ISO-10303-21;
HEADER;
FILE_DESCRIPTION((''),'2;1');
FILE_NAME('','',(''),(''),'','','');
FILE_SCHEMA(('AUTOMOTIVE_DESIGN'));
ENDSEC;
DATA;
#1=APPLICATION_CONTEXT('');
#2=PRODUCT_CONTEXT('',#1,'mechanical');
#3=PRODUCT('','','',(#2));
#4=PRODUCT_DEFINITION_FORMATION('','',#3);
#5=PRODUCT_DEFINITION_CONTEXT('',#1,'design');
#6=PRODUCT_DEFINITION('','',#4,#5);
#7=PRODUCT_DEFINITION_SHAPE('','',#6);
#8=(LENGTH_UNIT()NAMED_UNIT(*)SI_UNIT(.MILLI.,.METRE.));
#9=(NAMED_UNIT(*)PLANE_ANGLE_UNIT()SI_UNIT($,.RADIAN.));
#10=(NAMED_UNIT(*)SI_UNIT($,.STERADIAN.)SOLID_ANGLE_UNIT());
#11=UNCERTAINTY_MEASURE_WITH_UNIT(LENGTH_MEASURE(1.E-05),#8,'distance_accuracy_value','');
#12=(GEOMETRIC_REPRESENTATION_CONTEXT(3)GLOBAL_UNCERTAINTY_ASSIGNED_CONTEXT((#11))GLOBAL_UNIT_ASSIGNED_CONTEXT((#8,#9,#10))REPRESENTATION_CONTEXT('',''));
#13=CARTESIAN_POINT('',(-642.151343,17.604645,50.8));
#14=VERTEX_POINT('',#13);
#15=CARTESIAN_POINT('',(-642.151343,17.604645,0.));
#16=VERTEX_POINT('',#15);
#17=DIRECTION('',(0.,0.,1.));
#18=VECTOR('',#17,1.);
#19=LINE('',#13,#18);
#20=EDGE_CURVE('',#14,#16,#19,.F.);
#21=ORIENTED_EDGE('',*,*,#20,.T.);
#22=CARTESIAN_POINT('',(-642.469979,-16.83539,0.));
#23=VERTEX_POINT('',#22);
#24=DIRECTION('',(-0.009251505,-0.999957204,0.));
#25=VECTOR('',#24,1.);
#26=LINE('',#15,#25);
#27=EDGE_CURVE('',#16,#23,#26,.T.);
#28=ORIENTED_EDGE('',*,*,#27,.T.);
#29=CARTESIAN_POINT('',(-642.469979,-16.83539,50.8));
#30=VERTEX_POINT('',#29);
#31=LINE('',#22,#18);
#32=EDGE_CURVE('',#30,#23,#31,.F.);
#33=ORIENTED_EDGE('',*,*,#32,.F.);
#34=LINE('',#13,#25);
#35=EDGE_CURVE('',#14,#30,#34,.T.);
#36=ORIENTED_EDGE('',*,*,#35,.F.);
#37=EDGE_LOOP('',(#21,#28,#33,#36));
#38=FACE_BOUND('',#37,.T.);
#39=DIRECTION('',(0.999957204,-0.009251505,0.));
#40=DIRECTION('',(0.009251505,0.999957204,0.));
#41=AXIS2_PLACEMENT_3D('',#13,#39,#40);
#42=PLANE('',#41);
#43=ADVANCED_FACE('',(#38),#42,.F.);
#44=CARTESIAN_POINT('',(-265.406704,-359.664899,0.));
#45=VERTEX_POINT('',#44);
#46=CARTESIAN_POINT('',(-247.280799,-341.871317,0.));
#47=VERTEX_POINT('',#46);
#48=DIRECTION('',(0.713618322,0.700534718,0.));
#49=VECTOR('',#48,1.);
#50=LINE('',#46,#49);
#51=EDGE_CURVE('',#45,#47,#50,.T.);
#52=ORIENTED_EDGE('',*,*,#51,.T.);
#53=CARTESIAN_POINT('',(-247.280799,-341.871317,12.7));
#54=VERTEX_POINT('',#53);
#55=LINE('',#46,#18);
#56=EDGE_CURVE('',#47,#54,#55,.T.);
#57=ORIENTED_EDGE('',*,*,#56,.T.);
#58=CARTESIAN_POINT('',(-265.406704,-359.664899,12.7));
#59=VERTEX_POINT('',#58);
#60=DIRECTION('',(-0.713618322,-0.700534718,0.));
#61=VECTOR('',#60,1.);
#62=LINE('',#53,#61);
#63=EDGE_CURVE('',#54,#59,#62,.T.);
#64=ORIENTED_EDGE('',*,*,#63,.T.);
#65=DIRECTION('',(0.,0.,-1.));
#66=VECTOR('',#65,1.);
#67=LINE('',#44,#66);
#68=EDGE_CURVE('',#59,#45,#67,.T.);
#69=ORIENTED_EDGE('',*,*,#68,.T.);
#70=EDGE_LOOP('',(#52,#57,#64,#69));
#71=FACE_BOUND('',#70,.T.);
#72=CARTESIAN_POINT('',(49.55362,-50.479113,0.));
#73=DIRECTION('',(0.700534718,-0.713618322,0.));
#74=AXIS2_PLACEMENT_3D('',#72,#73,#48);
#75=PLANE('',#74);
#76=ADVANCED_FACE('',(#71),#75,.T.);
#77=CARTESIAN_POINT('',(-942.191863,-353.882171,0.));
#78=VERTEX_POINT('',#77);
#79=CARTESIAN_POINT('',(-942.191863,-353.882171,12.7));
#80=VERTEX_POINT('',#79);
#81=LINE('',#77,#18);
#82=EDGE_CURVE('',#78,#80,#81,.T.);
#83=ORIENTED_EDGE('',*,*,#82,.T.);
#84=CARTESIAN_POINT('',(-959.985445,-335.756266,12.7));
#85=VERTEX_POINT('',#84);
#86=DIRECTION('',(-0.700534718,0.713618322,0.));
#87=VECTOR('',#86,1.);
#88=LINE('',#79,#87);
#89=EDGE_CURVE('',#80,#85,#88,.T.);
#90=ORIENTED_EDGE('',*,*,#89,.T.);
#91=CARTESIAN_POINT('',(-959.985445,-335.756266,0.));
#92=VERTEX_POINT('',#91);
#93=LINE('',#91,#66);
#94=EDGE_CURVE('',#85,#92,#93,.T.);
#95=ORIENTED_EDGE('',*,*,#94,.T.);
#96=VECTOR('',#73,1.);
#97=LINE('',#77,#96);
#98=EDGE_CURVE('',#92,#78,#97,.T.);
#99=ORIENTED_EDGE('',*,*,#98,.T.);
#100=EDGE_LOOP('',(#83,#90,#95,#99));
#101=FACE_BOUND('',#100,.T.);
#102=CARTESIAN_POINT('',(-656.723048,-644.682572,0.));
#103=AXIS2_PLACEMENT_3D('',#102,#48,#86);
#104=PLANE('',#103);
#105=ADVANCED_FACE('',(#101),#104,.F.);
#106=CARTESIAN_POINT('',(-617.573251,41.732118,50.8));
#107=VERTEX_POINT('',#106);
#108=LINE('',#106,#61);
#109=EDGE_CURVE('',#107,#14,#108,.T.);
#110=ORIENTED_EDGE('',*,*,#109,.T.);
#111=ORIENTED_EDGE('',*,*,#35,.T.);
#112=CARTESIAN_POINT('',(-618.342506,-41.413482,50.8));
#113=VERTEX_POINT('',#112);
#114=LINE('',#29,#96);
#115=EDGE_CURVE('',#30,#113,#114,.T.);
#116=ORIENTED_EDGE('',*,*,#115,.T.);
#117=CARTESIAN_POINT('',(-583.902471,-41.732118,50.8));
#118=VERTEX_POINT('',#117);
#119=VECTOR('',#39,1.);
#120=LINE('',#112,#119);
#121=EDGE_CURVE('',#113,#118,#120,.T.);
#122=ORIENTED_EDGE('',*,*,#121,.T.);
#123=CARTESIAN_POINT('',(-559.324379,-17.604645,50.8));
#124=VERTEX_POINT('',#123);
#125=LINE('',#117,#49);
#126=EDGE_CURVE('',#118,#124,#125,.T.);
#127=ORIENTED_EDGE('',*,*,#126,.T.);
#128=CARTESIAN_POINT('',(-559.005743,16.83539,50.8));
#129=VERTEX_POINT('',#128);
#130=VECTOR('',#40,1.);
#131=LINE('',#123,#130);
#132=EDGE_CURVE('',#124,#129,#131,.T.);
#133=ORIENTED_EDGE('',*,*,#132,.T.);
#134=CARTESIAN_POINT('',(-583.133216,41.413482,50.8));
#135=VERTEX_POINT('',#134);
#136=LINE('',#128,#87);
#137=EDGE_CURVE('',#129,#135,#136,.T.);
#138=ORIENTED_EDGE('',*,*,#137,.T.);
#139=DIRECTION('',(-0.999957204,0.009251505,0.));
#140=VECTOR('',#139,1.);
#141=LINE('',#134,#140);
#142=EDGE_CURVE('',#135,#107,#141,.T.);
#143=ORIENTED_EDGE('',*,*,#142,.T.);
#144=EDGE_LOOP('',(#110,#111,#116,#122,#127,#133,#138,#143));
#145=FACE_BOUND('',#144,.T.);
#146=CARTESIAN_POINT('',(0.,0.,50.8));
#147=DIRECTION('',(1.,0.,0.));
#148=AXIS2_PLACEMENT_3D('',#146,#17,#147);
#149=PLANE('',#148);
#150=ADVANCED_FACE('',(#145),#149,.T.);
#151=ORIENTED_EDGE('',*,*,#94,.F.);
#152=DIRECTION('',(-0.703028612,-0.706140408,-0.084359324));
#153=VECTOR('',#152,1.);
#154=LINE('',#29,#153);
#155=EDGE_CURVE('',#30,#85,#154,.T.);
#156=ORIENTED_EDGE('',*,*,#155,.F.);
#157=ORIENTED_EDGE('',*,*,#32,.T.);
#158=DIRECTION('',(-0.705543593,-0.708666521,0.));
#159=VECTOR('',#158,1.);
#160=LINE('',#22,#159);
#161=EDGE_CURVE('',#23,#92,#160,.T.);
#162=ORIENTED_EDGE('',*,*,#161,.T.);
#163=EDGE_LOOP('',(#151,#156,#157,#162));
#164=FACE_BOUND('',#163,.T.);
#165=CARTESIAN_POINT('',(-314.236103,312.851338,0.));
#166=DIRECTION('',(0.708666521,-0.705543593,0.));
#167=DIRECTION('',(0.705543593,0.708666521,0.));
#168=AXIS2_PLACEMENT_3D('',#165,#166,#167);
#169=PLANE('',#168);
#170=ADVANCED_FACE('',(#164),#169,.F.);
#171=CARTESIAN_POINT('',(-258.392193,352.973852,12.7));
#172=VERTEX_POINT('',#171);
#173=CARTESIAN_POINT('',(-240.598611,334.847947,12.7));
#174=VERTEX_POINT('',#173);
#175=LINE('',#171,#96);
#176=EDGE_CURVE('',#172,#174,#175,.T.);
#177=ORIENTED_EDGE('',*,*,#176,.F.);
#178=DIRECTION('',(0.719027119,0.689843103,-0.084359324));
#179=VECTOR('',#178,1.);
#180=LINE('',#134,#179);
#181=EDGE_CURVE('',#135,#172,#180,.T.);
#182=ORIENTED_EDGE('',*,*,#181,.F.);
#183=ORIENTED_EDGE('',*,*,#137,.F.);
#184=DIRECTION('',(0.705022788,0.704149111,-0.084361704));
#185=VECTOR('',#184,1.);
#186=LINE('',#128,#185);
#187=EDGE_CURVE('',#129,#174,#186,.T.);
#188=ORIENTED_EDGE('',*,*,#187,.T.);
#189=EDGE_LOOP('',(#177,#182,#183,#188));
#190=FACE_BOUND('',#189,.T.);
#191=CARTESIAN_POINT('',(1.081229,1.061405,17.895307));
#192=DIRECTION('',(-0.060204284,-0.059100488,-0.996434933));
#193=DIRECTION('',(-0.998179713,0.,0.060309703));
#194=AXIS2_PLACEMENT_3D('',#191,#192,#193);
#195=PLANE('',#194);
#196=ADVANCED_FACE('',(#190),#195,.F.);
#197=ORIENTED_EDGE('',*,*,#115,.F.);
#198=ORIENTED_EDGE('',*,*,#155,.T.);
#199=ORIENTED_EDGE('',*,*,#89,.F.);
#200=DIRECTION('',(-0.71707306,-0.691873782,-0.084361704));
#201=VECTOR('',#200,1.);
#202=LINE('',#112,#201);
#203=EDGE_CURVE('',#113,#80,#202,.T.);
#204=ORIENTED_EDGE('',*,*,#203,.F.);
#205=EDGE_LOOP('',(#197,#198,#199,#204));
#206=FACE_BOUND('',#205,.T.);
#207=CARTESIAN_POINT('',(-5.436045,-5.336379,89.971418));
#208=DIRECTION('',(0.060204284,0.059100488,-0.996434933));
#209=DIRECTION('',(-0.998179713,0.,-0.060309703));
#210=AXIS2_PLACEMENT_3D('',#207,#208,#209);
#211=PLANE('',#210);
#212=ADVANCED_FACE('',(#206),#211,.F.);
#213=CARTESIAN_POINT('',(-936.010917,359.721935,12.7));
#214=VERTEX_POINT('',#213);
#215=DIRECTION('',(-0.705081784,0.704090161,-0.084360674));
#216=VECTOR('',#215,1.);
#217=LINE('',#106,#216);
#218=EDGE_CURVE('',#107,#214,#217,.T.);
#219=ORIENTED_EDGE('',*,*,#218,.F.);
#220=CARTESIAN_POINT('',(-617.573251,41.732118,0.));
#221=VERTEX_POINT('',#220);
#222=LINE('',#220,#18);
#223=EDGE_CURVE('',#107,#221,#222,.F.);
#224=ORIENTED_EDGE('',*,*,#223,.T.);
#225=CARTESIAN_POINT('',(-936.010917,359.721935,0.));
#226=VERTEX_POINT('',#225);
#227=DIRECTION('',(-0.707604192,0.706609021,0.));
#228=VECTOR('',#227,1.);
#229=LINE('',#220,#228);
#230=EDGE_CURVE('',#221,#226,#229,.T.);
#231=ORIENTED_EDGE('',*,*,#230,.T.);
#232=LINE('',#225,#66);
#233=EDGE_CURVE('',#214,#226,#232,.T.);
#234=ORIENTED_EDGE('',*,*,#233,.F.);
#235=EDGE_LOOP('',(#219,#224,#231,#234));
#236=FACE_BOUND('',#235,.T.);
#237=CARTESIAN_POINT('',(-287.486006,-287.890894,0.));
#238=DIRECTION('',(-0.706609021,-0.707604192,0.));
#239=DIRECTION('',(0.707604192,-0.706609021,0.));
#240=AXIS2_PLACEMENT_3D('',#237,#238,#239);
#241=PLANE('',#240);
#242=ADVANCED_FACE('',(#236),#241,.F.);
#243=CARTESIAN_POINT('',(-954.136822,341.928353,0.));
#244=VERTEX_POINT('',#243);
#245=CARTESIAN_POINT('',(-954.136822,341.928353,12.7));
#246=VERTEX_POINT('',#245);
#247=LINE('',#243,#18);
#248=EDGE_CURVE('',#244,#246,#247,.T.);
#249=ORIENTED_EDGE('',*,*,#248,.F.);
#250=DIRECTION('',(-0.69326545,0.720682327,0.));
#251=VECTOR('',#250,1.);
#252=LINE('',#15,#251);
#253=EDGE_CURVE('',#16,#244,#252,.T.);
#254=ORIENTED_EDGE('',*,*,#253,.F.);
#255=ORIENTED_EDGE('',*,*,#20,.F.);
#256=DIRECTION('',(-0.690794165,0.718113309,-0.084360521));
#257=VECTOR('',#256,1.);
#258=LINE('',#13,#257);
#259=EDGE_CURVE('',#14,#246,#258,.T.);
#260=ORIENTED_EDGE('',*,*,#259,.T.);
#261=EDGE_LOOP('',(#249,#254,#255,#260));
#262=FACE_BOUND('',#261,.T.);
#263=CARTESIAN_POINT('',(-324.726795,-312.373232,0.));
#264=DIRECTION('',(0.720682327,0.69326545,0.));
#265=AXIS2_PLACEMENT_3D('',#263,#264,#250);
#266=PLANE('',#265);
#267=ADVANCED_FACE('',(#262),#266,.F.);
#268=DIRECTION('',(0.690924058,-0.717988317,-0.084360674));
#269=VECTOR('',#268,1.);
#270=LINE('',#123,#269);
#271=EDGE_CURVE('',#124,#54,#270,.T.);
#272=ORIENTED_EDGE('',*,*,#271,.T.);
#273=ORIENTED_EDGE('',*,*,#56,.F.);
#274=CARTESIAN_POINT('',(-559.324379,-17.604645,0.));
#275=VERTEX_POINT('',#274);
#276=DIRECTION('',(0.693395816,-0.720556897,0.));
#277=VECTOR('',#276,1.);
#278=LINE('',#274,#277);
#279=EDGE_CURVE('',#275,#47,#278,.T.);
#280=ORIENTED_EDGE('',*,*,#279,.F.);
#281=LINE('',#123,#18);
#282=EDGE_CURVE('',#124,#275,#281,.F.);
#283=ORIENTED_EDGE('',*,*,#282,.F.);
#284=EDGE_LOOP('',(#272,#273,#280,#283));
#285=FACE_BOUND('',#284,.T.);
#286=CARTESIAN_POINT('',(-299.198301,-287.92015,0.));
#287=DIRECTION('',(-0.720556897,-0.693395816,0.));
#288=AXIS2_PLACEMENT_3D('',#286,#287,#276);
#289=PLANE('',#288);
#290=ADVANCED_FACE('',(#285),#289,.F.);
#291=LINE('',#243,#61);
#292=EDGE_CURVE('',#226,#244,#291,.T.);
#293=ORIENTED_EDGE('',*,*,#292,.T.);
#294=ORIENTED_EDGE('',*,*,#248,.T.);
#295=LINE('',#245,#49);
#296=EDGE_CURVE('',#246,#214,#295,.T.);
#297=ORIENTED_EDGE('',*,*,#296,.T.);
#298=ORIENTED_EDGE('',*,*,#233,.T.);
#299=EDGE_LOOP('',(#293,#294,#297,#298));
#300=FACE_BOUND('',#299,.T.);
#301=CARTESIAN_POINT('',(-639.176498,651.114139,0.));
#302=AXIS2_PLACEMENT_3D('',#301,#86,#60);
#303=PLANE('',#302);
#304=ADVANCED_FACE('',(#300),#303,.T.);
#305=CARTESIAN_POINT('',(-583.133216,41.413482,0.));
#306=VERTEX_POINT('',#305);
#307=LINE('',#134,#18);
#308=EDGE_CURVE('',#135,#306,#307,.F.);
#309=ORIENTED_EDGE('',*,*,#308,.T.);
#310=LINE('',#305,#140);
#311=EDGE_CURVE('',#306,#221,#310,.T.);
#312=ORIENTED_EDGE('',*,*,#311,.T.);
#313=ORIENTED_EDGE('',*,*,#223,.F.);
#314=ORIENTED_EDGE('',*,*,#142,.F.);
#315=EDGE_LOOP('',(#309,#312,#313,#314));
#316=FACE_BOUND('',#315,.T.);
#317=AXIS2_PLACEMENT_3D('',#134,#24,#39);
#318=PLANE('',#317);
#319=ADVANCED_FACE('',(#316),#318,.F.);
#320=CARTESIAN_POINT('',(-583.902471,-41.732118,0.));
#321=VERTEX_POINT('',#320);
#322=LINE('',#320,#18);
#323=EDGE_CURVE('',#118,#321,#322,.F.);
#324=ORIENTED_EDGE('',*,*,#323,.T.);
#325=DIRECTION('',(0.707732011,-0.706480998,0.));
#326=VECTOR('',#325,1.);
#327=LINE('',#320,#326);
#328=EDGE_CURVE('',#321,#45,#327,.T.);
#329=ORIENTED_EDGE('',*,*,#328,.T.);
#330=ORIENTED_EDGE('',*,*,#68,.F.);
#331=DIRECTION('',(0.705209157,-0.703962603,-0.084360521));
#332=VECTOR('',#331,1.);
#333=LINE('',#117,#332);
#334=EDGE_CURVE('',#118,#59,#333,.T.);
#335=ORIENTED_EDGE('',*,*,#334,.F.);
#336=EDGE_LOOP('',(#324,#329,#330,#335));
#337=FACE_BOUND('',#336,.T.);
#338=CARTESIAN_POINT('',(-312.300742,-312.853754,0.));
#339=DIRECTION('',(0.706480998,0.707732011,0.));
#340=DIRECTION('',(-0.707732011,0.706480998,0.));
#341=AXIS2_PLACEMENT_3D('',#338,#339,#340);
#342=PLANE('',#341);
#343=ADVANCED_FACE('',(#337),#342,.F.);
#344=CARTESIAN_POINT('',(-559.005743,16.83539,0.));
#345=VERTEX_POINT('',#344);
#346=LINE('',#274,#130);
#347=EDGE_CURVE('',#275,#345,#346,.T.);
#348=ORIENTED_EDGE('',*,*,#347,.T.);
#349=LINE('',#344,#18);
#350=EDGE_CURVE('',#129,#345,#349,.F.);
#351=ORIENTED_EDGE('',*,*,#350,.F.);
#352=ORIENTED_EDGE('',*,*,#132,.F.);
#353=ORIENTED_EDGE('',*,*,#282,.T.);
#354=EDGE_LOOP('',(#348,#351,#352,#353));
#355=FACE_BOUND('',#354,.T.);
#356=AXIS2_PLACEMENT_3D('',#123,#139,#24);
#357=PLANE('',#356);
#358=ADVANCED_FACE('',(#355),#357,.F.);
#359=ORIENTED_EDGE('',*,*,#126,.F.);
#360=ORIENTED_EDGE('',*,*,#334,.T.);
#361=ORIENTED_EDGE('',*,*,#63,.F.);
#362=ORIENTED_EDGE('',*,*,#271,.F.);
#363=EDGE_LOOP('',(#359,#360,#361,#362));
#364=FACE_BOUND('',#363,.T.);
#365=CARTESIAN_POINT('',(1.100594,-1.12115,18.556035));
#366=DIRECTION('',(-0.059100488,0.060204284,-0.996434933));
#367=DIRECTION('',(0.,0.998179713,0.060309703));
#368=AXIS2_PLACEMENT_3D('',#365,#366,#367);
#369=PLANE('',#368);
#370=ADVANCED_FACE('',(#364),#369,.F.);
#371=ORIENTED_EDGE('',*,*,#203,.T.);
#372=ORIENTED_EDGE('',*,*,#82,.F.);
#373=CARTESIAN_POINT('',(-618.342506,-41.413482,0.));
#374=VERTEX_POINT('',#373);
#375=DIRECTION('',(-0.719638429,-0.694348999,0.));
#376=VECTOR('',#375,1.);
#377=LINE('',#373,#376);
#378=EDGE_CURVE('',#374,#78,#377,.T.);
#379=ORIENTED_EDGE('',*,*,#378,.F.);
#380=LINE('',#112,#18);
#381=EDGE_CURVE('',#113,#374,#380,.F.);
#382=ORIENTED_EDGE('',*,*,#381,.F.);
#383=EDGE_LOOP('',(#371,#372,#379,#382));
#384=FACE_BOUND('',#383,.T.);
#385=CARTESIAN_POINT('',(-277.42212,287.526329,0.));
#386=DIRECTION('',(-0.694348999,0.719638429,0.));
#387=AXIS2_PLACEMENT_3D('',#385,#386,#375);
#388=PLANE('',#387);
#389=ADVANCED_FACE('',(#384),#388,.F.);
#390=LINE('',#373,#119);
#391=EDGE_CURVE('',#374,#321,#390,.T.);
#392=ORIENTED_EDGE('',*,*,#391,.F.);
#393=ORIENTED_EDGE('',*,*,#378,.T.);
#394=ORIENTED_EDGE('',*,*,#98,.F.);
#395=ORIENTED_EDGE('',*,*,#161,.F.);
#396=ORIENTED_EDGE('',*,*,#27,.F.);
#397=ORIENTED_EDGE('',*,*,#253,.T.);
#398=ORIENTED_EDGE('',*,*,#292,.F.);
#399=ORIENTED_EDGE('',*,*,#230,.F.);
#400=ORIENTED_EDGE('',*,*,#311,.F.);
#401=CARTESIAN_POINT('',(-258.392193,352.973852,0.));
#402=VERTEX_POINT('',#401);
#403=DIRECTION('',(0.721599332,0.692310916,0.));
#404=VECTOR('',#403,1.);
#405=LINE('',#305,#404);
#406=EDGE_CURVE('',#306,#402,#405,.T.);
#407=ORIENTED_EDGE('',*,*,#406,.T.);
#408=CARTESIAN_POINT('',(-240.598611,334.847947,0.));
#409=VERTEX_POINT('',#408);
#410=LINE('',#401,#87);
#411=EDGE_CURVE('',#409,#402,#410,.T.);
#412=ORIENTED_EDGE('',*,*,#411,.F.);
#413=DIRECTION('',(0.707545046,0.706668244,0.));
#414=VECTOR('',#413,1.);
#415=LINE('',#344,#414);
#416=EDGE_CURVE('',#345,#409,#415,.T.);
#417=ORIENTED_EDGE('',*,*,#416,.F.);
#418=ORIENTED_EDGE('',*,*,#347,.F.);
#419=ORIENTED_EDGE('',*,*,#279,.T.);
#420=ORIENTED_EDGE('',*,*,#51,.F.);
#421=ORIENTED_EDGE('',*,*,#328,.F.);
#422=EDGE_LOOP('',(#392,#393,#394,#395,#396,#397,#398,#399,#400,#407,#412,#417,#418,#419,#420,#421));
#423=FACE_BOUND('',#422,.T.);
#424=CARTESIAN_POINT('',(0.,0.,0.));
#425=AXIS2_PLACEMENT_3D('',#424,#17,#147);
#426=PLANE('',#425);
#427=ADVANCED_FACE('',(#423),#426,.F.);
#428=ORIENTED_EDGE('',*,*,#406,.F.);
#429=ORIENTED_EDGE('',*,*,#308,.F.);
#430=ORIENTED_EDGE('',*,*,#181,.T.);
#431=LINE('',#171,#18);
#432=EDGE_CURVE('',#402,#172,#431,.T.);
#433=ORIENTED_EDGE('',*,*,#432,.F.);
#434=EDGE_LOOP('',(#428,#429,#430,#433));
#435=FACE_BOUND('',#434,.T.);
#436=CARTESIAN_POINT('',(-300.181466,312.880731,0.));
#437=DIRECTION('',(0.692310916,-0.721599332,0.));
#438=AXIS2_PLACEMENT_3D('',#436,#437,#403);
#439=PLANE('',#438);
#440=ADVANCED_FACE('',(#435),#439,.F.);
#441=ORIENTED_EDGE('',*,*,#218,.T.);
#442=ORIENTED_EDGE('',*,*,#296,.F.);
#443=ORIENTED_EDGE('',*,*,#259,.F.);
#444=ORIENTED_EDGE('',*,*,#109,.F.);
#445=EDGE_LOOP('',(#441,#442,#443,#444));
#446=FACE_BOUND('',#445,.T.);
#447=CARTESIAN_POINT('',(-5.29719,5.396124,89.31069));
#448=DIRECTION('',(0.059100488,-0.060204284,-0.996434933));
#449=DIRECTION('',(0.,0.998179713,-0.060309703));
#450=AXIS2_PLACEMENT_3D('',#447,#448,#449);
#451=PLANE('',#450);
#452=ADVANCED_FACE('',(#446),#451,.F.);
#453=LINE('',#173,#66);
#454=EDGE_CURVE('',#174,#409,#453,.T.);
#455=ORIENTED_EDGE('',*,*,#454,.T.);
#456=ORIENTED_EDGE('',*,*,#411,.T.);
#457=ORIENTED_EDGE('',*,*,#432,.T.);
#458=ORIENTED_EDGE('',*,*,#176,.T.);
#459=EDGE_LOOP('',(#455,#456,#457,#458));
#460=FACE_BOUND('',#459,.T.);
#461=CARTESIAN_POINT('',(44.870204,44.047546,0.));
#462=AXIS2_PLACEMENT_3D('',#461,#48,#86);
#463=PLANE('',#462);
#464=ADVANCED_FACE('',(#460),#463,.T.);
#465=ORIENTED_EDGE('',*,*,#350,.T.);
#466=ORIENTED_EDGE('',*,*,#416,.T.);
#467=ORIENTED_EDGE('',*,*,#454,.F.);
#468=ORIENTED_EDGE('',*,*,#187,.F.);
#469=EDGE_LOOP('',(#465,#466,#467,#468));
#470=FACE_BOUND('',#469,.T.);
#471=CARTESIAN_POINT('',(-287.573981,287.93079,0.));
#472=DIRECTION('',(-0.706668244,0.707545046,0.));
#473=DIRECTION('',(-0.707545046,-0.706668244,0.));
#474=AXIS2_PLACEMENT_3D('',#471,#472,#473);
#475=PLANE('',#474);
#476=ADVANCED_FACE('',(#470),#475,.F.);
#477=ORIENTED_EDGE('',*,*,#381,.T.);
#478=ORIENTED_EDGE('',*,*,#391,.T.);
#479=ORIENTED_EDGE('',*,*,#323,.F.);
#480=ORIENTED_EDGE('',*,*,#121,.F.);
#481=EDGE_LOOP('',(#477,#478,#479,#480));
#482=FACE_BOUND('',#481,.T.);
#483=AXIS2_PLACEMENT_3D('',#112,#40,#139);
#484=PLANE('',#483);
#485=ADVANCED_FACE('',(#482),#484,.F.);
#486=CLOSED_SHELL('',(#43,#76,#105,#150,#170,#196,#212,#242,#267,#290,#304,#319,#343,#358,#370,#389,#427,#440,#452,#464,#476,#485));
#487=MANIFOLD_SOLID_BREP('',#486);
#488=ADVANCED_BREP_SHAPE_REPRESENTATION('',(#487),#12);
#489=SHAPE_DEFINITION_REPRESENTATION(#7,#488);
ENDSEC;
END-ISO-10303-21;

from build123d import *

# Parameters (mm, degrees)
BOSS_EXTRUDE1_DEPTH = 50.8
SKETCH5_W           = 50.8
SKETCH5_H           = 34.441508913
SKETCH8_W           = 12.7
SKETCH8_H           = 25.4
SKETCH11_W          = 50.8
SKETCH11_H          = 34.441508913
SKETCH10_W          = 12.7
SKETCH10_H          = 25.4
SKETCH12_W          = 34.441508912
SKETCH12_H          = 50.8
SKETCH13_W          = 25.4
SKETCH13_H          = 12.7
SKETCH14_W          = 34.441508912
SKETCH14_H          = 50.8
SKETCH15_W          = 25.4
SKETCH15_H          = 12.7


with BuildPart() as part:
    # Sketch3 → Boss-Extrude1 (new body)
    with BuildSketch(Plane.XY):
        Polygon((-583.133216143, 41.413481842), (-617.573251094, 41.732117626), (-642.151342876, 17.604644891), (-642.469978659, -16.83539006), (-618.342505925, -41.413481842), (-583.902470973, -41.732117626), (-559.324379192, -17.604644891), (-559.005743408, 16.83539006), align=None)
    extrude(amount=BOSS_EXTRUDE1_DEPTH)

    # Sketch5 → Loft1 section 0
    with BuildSketch(Plane(origin=(-335.594803105, -329.44194911, 0), x_dir=(0, 0, 1), z_dir=(-0.713618322, -0.700534718, 0))):
        with Locations((25.4, 420.837728092)):
            Rectangle(SKETCH5_W, SKETCH5_H)
    # Sketch8 → Loft1 section 1
    with BuildSketch(Plane(origin=(-656.72304774, -644.682572171, 0), x_dir=(0, 0, 1), z_dir=(-0.713618322, -0.700534718, 0))):
        with Locations((6.35, 420.201309854)):
            Rectangle(SKETCH8_W, SKETCH8_H)
    loft()

    # Sketch11 → Loft2 section 0
    with BuildSketch(Plane(origin=(-276.258040589, -271.193077208, 0), x_dir=(0, 0, -1), z_dir=(0.713618322, 0.700534718, 0))):
        with Locations((-25.4, 420.837728092)):
            Rectangle(SKETCH11_W, SKETCH11_H)
    # Sketch10 → Loft2 section 1
    with BuildSketch(Plane(origin=(44.870204046, 44.047545853, 0), x_dir=(0, 0, -1), z_dir=(0.713618322, 0.700534718, 0))):
        with Locations((-6.35, 420.201309854)):
            Rectangle(SKETCH10_W, SKETCH10_H)
    loft()

    # Sketch12 → Loft3 section 0
    with BuildSketch(Plane(origin=(-265.687003236, 270.649131901, 0), x_dir=(-0.713618322, -0.700534718, 0), z_dir=(0.700534718, -0.713618322, 0))):
        with Locations((428.697544073, -25.4)):
            Rectangle(SKETCH12_W, SKETCH12_H)
    # Sketch13 → Loft3 section 1
    with BuildSketch(Plane(origin=(49.553619825, -50.479112734, 0), x_dir=(-0.713618322, -0.700534718, 0), z_dir=(0.700534718, -0.713618322, 0))):
        with Locations((428.656835586, -6.35)):
            Rectangle(SKETCH13_W, SKETCH13_H)
    loft()

    # Sketch14 → Loft4 section 0
    with BuildSketch(Plane(origin=(-323.935875138, 329.985894417, 0), x_dir=(0.713618322, 0.700534718, 0), z_dir=(-0.700534718, 0.713618322, 0))):
        with Locations((-428.697544073, -25.4)):
            Rectangle(SKETCH14_W, SKETCH14_H)
    # Sketch15 → Loft4 section 1
    with BuildSketch(Plane(origin=(-639.176498199, 651.114139052, 0), x_dir=(0.713618322, 0.700534718, 0), z_dir=(-0.700534718, 0.713618322, 0))):
        with Locations((-428.656835586, -6.35)):
            Rectangle(SKETCH15_W, SKETCH15_H)
    loft()


solid = part.part
